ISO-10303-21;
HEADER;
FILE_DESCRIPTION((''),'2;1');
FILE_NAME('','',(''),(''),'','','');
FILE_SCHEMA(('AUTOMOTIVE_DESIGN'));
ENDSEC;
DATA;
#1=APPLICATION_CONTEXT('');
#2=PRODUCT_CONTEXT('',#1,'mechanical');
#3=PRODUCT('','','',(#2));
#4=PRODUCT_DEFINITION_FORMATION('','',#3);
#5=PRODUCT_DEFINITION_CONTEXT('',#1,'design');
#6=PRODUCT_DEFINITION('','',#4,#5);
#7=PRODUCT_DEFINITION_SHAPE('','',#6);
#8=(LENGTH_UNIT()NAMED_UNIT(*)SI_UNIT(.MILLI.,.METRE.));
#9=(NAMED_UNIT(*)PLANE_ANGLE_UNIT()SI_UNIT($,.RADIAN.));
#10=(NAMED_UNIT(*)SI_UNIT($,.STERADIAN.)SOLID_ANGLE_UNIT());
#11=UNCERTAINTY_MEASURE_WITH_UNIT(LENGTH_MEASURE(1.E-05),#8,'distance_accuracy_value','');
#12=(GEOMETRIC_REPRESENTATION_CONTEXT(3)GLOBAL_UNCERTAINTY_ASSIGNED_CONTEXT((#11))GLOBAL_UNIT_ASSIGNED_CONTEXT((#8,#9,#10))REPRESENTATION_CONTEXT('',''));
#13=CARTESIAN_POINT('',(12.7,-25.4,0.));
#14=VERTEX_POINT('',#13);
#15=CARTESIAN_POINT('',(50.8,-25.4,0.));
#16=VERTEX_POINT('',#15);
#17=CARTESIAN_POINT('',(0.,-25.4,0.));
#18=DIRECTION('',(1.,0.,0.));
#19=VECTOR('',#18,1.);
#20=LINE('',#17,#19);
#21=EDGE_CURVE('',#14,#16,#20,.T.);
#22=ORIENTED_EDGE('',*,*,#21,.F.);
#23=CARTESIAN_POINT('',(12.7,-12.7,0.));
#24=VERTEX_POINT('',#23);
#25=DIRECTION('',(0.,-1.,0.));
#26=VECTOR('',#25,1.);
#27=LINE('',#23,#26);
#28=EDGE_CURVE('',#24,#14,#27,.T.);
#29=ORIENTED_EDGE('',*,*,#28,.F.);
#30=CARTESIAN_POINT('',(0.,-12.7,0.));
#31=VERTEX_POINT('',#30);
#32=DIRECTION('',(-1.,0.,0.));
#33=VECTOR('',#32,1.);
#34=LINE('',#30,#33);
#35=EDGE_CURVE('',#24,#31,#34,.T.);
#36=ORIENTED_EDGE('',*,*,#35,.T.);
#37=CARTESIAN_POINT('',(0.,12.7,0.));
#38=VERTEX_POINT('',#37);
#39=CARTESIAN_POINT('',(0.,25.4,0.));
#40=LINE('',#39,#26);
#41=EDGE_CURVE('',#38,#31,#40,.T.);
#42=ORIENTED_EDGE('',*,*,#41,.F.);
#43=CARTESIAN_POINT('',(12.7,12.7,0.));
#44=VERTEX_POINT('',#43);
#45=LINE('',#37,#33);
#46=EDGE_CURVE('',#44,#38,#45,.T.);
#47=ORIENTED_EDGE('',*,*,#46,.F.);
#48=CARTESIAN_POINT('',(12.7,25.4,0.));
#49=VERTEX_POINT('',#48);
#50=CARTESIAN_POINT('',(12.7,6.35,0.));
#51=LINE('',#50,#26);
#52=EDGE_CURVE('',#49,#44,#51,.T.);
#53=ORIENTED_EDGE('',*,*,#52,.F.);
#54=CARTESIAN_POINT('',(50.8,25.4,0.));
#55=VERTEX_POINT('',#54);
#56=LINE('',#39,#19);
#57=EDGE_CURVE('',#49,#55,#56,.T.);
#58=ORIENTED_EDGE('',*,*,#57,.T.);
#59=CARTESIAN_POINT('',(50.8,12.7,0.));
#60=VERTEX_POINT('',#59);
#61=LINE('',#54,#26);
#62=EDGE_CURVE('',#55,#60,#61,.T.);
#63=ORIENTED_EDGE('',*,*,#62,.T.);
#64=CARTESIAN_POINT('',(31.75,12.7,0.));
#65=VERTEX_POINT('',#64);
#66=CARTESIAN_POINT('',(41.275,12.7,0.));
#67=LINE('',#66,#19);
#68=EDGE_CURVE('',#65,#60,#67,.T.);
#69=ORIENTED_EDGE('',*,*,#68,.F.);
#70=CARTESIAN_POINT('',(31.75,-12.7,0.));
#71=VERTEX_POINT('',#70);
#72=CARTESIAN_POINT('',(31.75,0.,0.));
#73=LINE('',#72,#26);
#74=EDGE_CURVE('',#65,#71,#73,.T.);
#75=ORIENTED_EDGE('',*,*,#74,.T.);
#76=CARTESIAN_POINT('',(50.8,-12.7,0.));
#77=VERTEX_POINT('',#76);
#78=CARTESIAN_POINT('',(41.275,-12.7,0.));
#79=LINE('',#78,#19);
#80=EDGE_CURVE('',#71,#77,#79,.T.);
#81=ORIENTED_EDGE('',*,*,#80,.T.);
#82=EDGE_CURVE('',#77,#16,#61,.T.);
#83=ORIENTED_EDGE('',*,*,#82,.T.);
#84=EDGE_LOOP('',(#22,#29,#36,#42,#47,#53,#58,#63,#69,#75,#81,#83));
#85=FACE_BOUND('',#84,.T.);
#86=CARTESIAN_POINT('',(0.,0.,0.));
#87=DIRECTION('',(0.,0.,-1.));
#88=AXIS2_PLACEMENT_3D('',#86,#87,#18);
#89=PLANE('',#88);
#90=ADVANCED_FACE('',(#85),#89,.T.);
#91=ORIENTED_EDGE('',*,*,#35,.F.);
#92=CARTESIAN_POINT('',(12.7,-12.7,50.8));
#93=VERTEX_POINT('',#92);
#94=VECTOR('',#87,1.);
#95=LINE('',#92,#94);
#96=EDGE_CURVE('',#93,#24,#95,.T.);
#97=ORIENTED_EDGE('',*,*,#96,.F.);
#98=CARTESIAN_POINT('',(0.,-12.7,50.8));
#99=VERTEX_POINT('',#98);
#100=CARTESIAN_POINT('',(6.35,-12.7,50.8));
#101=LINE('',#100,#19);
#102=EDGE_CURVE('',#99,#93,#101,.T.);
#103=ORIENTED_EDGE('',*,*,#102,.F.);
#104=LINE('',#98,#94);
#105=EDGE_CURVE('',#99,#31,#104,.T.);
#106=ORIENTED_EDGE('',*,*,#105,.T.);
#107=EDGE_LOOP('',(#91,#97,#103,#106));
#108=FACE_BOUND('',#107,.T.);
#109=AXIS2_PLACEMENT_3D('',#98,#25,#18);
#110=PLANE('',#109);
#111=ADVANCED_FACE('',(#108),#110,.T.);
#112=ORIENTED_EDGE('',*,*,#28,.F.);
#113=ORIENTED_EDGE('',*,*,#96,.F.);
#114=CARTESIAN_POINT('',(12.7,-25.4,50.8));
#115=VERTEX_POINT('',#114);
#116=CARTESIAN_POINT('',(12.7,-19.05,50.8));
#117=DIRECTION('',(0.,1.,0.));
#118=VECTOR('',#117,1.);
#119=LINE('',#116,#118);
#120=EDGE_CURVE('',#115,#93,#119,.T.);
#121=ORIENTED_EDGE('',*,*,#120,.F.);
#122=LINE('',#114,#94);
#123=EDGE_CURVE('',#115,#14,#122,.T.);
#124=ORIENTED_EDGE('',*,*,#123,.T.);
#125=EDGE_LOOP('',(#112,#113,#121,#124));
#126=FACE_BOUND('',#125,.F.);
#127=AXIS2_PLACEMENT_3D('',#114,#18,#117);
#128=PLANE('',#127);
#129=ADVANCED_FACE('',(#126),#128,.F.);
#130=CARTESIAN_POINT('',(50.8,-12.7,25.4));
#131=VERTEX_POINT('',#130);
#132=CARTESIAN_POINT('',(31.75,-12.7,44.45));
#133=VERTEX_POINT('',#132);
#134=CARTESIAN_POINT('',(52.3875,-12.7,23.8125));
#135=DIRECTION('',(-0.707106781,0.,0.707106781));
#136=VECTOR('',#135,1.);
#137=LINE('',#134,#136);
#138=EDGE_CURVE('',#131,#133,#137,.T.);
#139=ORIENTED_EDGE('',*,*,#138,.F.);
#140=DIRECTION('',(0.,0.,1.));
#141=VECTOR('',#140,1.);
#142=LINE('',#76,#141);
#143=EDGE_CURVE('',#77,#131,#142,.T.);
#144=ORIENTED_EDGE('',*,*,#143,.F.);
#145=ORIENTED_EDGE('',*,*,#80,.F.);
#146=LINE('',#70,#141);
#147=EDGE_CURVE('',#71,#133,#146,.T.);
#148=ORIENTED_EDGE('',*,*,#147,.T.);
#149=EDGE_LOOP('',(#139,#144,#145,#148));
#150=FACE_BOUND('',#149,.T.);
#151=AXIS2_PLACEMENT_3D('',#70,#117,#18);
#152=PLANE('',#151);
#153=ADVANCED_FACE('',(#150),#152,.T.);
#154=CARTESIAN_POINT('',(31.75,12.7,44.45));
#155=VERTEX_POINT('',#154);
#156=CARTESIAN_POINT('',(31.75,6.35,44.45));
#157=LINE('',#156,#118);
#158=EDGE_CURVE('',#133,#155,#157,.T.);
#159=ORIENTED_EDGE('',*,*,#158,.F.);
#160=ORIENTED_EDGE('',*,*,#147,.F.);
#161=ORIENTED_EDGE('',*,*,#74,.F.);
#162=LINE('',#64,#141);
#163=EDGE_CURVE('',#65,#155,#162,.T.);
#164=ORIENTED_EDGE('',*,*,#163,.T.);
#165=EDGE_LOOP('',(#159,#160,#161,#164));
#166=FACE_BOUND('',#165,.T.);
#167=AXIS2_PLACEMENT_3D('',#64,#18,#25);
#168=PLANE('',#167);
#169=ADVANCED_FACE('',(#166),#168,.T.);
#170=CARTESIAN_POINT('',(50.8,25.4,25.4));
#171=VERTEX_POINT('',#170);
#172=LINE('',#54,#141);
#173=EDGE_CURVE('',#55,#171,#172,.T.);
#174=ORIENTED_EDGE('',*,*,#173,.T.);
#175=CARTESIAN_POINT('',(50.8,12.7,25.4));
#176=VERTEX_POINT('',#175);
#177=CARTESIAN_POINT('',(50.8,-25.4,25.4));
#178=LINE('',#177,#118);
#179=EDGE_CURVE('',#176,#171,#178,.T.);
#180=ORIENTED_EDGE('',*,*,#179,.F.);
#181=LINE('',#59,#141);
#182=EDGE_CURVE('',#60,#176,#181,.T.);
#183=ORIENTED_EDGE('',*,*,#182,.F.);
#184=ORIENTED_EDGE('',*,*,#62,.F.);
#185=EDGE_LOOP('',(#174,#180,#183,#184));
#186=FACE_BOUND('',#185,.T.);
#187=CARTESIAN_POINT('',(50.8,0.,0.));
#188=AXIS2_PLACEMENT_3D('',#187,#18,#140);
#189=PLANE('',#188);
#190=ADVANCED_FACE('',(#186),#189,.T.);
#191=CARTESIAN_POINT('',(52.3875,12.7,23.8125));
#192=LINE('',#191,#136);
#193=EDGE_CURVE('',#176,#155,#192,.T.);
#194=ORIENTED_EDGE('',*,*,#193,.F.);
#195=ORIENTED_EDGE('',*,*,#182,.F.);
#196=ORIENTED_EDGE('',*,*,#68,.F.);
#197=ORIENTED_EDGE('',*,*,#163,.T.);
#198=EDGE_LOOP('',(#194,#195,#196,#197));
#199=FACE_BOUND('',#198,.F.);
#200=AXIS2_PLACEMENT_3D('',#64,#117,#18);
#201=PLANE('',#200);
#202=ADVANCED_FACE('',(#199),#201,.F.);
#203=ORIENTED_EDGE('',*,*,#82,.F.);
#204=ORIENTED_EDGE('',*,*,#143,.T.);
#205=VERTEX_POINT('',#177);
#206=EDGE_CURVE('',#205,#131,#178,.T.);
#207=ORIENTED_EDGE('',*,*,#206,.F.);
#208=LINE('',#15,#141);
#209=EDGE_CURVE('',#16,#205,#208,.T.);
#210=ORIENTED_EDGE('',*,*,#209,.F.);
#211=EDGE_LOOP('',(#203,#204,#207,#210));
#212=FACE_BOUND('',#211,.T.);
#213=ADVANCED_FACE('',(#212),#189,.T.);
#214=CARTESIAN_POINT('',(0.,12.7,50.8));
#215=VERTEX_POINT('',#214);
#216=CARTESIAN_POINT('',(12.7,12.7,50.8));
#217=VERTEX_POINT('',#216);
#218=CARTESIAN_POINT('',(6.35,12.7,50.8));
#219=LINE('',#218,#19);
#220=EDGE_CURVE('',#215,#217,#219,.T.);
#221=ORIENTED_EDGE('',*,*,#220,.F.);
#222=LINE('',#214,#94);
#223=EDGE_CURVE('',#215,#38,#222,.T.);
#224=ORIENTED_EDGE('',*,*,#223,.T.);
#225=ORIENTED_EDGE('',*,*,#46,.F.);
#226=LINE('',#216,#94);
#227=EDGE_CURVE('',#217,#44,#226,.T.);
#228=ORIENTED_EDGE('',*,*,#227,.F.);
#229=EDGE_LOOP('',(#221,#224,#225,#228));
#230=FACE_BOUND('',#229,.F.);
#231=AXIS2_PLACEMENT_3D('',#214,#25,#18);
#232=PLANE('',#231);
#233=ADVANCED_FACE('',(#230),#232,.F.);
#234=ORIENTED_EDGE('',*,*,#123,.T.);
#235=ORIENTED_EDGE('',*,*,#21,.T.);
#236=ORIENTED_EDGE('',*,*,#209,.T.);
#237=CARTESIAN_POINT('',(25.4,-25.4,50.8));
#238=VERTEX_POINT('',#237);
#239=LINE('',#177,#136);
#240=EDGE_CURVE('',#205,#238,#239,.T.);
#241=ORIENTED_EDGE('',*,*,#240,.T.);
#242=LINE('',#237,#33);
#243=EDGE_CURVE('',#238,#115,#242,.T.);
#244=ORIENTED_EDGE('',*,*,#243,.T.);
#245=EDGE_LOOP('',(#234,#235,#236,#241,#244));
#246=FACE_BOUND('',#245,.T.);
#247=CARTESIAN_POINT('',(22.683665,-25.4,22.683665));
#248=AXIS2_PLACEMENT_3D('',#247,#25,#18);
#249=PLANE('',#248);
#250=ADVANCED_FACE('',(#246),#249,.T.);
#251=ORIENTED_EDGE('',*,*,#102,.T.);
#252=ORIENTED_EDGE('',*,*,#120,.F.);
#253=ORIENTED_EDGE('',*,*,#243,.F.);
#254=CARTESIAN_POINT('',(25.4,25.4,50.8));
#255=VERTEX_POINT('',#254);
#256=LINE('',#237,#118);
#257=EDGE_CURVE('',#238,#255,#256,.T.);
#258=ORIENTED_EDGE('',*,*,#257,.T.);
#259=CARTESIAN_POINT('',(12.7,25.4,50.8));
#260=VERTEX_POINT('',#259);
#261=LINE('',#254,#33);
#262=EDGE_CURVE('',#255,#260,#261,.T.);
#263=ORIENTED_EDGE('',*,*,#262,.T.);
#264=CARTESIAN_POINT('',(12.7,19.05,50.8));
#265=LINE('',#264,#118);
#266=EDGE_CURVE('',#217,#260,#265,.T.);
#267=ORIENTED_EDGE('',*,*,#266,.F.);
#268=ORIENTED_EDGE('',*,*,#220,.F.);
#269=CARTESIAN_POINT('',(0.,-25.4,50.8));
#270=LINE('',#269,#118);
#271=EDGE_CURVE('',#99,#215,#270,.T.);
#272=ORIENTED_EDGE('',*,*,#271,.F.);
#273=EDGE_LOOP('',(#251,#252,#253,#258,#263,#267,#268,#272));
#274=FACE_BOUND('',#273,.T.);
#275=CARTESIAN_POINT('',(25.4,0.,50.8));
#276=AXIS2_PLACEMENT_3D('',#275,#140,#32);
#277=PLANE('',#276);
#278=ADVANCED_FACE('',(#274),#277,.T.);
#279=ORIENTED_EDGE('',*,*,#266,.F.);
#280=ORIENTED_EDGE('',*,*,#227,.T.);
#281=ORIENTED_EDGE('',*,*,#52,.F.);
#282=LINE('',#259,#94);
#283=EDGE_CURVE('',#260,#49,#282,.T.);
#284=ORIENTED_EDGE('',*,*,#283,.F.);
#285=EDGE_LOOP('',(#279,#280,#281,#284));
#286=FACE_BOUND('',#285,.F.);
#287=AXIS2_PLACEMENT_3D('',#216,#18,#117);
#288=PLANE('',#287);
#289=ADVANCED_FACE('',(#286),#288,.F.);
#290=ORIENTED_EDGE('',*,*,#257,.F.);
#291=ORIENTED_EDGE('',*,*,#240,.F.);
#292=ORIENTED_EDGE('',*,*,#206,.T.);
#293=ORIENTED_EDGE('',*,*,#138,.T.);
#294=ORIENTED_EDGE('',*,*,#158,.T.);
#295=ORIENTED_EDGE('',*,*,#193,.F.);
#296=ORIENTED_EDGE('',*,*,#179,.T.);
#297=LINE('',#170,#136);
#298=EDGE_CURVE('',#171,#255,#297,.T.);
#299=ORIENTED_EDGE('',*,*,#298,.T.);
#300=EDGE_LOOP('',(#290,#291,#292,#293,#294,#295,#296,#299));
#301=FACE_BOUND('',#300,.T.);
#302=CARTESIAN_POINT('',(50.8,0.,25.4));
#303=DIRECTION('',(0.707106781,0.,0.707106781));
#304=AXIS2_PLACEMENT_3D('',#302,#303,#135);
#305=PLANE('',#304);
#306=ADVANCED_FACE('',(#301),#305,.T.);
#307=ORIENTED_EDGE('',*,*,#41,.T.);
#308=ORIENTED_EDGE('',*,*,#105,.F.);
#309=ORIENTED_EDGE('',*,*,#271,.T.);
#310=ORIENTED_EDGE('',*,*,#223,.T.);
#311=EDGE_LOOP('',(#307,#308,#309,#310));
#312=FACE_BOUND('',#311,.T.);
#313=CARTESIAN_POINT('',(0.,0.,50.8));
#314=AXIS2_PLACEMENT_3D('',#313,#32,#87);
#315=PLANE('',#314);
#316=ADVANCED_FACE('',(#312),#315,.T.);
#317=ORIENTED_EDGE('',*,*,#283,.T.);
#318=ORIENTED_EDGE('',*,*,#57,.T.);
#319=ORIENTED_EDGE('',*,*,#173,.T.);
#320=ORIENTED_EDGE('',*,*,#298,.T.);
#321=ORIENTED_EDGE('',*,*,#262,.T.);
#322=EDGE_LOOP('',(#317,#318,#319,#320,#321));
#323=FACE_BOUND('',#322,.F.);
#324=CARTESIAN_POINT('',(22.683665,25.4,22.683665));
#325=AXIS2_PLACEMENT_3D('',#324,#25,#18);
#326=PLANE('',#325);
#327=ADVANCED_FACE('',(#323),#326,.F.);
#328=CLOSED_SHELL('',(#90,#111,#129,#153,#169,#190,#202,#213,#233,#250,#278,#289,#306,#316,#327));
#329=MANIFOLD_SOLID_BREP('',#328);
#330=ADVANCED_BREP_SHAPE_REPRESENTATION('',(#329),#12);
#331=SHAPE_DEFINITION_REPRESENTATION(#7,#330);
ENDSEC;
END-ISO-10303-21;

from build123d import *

# Parameters (mm, degrees)
F1_DEPTH = 25.4
F2_W     = 12.7
F2_H     = 12.7
F3_DEPTH = 50.801
F4_W     = 19.05
F4_H     = 25.4
F5_DEPTH = 50.801


with BuildPart() as f1:
    # F0 (on Front) → F1 (new body, symmetric)
    with BuildSketch(Plane.XZ):
        Polygon((0, 50.8), (0, 0), (50.8, 0), (50.8, 25.4), (25.4, 50.8), align=None)
    extrude(amount=F1_DEPTH, both=True)

    # F2 (on face) → F3 (cut, through all)
    with BuildSketch(Plane.XY.offset(50.8)):
        with Locations((6.35, 19.05)):
            Rectangle(F2_W, F2_H)
        with Locations((6.35, -19.05)):
            Rectangle(F2_W, F2_H)
    extrude(amount=-F3_DEPTH, mode=Mode.SUBTRACT)

    # F4 (on face) → F5 (cut, through all)
    with BuildSketch(Plane(origin=(0, 0, 0), x_dir=(1, 0, 0), z_dir=(0, 0, -1))):
        with Locations((41.275, 0)):
            Rectangle(F4_W, F4_H)
    extrude(amount=-F5_DEPTH, mode=Mode.SUBTRACT)


solid = f1.part
